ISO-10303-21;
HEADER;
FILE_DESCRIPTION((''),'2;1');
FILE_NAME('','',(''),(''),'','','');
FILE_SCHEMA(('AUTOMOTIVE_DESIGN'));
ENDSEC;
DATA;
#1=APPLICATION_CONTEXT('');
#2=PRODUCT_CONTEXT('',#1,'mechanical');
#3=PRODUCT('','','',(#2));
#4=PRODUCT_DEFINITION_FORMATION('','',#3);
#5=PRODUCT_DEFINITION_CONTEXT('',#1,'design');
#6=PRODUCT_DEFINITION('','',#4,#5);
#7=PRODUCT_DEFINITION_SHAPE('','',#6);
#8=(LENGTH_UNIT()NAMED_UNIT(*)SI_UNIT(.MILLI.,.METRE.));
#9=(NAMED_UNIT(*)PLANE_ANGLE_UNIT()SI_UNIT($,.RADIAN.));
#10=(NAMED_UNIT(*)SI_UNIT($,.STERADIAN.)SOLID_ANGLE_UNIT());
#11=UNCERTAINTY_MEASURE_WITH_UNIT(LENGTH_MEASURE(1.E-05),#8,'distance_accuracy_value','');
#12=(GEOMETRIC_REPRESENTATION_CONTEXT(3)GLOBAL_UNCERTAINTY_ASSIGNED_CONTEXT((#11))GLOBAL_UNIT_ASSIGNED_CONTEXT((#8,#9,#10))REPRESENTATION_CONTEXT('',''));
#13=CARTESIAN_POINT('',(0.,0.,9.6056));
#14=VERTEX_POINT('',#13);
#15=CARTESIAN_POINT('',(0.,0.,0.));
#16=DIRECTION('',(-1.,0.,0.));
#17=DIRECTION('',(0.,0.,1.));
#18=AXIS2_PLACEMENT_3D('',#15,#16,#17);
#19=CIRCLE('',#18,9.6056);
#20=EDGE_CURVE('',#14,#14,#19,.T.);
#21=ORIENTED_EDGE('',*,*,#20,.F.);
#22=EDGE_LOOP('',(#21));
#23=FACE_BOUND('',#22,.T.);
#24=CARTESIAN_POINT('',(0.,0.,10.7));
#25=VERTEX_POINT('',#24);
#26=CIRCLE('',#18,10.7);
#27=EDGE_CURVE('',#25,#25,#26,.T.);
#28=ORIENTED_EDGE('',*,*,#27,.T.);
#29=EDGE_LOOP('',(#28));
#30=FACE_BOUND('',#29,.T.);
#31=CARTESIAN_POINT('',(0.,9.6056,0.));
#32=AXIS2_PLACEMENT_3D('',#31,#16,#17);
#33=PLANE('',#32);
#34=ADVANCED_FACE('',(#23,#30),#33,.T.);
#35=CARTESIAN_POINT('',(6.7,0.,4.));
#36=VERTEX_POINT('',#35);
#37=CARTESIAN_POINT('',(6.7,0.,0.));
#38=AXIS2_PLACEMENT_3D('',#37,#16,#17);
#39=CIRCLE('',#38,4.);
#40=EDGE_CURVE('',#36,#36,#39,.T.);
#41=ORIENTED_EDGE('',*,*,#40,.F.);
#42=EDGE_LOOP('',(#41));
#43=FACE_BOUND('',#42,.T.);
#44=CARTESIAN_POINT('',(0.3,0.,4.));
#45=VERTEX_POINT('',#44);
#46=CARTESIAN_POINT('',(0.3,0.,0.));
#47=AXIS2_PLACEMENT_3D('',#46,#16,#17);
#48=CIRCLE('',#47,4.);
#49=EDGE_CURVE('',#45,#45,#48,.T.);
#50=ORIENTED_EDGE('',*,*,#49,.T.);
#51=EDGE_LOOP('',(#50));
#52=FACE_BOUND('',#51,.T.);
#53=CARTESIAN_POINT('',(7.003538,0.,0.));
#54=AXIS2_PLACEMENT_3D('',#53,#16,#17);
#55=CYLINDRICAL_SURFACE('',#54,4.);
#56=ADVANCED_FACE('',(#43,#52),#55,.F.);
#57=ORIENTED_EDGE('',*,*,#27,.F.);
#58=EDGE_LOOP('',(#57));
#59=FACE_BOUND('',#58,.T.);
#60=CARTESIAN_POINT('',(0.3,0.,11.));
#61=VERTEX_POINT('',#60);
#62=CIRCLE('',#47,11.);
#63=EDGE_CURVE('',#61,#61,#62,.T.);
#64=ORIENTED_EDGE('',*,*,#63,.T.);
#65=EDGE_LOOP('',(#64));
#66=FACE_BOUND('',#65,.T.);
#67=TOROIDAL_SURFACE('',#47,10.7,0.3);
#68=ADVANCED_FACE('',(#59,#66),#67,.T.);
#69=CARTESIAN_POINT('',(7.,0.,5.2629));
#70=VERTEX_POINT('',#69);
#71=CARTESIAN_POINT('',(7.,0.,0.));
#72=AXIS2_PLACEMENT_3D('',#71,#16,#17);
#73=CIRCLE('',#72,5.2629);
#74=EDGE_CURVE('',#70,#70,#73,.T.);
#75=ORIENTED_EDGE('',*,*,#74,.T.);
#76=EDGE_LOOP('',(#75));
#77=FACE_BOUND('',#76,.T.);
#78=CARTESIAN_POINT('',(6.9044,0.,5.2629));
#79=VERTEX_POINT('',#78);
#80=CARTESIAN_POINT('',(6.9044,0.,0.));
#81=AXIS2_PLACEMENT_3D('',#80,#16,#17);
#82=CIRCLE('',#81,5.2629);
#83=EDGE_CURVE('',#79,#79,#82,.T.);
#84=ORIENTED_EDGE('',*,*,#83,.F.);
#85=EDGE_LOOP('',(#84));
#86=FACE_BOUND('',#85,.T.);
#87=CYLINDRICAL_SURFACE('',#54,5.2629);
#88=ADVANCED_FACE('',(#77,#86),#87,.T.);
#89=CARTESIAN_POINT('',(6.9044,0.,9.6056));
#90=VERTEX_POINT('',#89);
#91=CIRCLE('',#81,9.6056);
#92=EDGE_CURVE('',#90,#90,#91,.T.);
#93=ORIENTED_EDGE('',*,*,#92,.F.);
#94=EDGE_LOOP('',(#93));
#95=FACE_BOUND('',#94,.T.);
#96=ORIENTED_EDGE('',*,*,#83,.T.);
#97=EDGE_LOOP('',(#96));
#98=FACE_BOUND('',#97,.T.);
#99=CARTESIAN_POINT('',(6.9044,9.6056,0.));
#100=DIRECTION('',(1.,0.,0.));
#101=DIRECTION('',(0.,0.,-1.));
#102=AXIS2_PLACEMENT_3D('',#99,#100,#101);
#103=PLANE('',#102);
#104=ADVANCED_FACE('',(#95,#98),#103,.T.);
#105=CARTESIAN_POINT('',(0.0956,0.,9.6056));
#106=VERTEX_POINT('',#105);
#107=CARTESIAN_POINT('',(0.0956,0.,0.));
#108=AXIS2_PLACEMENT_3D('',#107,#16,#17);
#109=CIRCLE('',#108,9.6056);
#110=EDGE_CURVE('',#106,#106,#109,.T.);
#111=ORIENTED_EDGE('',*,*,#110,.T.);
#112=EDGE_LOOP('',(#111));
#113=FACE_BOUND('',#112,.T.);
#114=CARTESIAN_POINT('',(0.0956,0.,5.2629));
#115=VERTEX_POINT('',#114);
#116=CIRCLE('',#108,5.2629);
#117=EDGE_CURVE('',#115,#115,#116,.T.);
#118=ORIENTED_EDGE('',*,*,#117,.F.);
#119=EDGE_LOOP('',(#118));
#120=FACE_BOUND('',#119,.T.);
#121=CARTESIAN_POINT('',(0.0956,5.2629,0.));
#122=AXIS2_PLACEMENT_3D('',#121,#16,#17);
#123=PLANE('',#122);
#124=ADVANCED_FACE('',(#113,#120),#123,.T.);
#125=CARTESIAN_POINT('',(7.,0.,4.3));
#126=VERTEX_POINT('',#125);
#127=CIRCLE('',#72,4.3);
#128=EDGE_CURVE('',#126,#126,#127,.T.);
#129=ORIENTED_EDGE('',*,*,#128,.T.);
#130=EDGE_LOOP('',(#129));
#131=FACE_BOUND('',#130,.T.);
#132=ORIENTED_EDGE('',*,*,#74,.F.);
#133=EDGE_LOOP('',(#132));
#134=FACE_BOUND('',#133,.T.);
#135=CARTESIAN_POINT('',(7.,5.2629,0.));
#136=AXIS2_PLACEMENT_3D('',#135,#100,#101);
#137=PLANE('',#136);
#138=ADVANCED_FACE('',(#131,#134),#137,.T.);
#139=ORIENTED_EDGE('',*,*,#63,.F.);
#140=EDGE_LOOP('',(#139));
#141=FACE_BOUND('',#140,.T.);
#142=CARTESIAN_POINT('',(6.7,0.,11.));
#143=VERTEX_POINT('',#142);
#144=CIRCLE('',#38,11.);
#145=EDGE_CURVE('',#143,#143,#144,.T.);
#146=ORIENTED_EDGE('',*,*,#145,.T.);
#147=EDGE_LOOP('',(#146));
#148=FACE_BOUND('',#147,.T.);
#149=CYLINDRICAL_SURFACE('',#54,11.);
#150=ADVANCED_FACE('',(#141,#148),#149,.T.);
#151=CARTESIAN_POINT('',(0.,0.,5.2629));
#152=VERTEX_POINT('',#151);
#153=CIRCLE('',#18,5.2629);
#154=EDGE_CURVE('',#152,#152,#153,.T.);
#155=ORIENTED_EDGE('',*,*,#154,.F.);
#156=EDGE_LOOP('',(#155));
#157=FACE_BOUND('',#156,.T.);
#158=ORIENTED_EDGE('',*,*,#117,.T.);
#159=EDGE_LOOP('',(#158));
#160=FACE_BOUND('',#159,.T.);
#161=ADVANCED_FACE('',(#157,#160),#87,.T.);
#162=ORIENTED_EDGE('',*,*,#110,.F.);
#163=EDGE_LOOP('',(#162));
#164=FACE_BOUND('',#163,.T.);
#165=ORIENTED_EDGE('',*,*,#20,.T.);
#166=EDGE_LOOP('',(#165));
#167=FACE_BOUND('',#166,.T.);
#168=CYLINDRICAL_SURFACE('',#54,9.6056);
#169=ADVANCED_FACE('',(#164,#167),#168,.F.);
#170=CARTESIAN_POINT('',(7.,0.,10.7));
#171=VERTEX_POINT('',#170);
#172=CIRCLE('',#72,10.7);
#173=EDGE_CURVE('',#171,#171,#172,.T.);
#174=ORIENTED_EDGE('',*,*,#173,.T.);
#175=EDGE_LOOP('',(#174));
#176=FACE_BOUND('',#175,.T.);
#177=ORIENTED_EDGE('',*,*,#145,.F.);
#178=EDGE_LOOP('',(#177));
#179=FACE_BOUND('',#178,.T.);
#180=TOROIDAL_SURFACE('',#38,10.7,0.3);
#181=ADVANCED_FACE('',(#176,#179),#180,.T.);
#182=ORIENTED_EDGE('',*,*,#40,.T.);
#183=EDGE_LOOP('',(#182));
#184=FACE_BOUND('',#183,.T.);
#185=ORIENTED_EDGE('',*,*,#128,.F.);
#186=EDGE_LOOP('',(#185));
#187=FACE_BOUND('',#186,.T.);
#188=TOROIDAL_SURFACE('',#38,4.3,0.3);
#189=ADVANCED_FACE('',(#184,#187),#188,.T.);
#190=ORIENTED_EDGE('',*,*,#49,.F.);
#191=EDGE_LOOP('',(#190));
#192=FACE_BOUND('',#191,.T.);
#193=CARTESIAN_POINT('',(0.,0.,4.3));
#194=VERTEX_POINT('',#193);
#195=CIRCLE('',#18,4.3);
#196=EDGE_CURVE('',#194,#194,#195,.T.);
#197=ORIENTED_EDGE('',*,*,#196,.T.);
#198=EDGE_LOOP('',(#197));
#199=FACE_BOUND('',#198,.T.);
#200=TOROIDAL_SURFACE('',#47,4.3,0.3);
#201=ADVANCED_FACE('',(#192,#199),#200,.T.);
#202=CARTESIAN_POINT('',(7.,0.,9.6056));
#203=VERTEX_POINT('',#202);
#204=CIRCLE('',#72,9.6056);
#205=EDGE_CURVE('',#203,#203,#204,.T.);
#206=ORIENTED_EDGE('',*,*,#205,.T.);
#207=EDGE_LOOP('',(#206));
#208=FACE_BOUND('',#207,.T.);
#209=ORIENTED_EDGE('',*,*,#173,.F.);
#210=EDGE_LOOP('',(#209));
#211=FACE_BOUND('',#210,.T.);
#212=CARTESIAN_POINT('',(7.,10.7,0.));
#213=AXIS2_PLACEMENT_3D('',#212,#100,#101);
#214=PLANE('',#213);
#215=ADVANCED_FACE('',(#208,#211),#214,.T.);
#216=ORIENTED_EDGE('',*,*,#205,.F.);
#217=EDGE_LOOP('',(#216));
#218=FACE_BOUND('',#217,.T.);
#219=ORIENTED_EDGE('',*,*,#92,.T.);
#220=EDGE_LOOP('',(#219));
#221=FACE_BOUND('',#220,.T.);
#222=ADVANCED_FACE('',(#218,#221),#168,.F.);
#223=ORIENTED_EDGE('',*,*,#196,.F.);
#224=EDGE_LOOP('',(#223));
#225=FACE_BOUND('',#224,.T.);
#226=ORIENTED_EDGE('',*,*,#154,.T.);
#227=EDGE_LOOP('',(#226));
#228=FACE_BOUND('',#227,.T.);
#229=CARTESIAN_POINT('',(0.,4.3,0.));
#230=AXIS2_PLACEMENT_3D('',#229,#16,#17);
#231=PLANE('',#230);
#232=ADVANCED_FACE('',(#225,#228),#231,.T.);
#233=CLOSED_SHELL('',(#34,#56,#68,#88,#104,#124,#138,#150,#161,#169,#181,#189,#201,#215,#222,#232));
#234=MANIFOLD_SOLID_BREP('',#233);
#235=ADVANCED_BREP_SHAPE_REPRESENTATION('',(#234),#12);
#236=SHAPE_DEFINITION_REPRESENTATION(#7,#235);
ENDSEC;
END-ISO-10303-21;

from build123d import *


with BuildPart() as part:
    # Sketch1 → Revolve1 (revolve)
    with BuildSketch(Plane(origin=(0, 0, 0), x_dir=(-1, 0, 0), z_dir=(0, 0, -1)), mode=Mode.PRIVATE) as revolve1_sk:
        with BuildLine():
            Line((-6.7, 4), (-0.3, 4))
            ThreePointArc((-0.3, 4), (-0.087867966, 4.087867966), (0, 4.3))
            Line((0, 4.3), (0, 5.2629))
            Line((0, 5.2629), (-0.0956, 5.2629))
            Line((-0.0956, 5.2629), (-0.0956, 9.6056))
            Line((-0.0956, 9.6056), (0, 9.6056))
            Line((0, 9.6056), (0, 10.7))
            ThreePointArc((0, 10.7), (-0.087867966, 10.912132034), (-0.3, 11))
            Line((-0.3, 11), (-6.7, 11))
            ThreePointArc((-6.7, 11), (-6.912132034, 10.912132034), (-7, 10.7))
            Line((-7, 10.7), (-7, 9.6056))
            Line((-7, 9.6056), (-6.9044, 9.6056))
            Line((-6.9044, 9.6056), (-6.9044, 5.2629))
            Line((-6.9044, 5.2629), (-7, 5.2629))
            Line((-7, 5.2629), (-7, 4.3))
            ThreePointArc((-7, 4.3), (-6.912132034, 4.087867966), (-6.7, 4))
        make_face()
    revolve(revolve1_sk.sketch.rotate(Axis((7.003537608, 0, 0), (-1, 0, 0)), 270), axis=Axis((7.003537608, 0, 0), (-1, 0, 0)))


solid = part.part
